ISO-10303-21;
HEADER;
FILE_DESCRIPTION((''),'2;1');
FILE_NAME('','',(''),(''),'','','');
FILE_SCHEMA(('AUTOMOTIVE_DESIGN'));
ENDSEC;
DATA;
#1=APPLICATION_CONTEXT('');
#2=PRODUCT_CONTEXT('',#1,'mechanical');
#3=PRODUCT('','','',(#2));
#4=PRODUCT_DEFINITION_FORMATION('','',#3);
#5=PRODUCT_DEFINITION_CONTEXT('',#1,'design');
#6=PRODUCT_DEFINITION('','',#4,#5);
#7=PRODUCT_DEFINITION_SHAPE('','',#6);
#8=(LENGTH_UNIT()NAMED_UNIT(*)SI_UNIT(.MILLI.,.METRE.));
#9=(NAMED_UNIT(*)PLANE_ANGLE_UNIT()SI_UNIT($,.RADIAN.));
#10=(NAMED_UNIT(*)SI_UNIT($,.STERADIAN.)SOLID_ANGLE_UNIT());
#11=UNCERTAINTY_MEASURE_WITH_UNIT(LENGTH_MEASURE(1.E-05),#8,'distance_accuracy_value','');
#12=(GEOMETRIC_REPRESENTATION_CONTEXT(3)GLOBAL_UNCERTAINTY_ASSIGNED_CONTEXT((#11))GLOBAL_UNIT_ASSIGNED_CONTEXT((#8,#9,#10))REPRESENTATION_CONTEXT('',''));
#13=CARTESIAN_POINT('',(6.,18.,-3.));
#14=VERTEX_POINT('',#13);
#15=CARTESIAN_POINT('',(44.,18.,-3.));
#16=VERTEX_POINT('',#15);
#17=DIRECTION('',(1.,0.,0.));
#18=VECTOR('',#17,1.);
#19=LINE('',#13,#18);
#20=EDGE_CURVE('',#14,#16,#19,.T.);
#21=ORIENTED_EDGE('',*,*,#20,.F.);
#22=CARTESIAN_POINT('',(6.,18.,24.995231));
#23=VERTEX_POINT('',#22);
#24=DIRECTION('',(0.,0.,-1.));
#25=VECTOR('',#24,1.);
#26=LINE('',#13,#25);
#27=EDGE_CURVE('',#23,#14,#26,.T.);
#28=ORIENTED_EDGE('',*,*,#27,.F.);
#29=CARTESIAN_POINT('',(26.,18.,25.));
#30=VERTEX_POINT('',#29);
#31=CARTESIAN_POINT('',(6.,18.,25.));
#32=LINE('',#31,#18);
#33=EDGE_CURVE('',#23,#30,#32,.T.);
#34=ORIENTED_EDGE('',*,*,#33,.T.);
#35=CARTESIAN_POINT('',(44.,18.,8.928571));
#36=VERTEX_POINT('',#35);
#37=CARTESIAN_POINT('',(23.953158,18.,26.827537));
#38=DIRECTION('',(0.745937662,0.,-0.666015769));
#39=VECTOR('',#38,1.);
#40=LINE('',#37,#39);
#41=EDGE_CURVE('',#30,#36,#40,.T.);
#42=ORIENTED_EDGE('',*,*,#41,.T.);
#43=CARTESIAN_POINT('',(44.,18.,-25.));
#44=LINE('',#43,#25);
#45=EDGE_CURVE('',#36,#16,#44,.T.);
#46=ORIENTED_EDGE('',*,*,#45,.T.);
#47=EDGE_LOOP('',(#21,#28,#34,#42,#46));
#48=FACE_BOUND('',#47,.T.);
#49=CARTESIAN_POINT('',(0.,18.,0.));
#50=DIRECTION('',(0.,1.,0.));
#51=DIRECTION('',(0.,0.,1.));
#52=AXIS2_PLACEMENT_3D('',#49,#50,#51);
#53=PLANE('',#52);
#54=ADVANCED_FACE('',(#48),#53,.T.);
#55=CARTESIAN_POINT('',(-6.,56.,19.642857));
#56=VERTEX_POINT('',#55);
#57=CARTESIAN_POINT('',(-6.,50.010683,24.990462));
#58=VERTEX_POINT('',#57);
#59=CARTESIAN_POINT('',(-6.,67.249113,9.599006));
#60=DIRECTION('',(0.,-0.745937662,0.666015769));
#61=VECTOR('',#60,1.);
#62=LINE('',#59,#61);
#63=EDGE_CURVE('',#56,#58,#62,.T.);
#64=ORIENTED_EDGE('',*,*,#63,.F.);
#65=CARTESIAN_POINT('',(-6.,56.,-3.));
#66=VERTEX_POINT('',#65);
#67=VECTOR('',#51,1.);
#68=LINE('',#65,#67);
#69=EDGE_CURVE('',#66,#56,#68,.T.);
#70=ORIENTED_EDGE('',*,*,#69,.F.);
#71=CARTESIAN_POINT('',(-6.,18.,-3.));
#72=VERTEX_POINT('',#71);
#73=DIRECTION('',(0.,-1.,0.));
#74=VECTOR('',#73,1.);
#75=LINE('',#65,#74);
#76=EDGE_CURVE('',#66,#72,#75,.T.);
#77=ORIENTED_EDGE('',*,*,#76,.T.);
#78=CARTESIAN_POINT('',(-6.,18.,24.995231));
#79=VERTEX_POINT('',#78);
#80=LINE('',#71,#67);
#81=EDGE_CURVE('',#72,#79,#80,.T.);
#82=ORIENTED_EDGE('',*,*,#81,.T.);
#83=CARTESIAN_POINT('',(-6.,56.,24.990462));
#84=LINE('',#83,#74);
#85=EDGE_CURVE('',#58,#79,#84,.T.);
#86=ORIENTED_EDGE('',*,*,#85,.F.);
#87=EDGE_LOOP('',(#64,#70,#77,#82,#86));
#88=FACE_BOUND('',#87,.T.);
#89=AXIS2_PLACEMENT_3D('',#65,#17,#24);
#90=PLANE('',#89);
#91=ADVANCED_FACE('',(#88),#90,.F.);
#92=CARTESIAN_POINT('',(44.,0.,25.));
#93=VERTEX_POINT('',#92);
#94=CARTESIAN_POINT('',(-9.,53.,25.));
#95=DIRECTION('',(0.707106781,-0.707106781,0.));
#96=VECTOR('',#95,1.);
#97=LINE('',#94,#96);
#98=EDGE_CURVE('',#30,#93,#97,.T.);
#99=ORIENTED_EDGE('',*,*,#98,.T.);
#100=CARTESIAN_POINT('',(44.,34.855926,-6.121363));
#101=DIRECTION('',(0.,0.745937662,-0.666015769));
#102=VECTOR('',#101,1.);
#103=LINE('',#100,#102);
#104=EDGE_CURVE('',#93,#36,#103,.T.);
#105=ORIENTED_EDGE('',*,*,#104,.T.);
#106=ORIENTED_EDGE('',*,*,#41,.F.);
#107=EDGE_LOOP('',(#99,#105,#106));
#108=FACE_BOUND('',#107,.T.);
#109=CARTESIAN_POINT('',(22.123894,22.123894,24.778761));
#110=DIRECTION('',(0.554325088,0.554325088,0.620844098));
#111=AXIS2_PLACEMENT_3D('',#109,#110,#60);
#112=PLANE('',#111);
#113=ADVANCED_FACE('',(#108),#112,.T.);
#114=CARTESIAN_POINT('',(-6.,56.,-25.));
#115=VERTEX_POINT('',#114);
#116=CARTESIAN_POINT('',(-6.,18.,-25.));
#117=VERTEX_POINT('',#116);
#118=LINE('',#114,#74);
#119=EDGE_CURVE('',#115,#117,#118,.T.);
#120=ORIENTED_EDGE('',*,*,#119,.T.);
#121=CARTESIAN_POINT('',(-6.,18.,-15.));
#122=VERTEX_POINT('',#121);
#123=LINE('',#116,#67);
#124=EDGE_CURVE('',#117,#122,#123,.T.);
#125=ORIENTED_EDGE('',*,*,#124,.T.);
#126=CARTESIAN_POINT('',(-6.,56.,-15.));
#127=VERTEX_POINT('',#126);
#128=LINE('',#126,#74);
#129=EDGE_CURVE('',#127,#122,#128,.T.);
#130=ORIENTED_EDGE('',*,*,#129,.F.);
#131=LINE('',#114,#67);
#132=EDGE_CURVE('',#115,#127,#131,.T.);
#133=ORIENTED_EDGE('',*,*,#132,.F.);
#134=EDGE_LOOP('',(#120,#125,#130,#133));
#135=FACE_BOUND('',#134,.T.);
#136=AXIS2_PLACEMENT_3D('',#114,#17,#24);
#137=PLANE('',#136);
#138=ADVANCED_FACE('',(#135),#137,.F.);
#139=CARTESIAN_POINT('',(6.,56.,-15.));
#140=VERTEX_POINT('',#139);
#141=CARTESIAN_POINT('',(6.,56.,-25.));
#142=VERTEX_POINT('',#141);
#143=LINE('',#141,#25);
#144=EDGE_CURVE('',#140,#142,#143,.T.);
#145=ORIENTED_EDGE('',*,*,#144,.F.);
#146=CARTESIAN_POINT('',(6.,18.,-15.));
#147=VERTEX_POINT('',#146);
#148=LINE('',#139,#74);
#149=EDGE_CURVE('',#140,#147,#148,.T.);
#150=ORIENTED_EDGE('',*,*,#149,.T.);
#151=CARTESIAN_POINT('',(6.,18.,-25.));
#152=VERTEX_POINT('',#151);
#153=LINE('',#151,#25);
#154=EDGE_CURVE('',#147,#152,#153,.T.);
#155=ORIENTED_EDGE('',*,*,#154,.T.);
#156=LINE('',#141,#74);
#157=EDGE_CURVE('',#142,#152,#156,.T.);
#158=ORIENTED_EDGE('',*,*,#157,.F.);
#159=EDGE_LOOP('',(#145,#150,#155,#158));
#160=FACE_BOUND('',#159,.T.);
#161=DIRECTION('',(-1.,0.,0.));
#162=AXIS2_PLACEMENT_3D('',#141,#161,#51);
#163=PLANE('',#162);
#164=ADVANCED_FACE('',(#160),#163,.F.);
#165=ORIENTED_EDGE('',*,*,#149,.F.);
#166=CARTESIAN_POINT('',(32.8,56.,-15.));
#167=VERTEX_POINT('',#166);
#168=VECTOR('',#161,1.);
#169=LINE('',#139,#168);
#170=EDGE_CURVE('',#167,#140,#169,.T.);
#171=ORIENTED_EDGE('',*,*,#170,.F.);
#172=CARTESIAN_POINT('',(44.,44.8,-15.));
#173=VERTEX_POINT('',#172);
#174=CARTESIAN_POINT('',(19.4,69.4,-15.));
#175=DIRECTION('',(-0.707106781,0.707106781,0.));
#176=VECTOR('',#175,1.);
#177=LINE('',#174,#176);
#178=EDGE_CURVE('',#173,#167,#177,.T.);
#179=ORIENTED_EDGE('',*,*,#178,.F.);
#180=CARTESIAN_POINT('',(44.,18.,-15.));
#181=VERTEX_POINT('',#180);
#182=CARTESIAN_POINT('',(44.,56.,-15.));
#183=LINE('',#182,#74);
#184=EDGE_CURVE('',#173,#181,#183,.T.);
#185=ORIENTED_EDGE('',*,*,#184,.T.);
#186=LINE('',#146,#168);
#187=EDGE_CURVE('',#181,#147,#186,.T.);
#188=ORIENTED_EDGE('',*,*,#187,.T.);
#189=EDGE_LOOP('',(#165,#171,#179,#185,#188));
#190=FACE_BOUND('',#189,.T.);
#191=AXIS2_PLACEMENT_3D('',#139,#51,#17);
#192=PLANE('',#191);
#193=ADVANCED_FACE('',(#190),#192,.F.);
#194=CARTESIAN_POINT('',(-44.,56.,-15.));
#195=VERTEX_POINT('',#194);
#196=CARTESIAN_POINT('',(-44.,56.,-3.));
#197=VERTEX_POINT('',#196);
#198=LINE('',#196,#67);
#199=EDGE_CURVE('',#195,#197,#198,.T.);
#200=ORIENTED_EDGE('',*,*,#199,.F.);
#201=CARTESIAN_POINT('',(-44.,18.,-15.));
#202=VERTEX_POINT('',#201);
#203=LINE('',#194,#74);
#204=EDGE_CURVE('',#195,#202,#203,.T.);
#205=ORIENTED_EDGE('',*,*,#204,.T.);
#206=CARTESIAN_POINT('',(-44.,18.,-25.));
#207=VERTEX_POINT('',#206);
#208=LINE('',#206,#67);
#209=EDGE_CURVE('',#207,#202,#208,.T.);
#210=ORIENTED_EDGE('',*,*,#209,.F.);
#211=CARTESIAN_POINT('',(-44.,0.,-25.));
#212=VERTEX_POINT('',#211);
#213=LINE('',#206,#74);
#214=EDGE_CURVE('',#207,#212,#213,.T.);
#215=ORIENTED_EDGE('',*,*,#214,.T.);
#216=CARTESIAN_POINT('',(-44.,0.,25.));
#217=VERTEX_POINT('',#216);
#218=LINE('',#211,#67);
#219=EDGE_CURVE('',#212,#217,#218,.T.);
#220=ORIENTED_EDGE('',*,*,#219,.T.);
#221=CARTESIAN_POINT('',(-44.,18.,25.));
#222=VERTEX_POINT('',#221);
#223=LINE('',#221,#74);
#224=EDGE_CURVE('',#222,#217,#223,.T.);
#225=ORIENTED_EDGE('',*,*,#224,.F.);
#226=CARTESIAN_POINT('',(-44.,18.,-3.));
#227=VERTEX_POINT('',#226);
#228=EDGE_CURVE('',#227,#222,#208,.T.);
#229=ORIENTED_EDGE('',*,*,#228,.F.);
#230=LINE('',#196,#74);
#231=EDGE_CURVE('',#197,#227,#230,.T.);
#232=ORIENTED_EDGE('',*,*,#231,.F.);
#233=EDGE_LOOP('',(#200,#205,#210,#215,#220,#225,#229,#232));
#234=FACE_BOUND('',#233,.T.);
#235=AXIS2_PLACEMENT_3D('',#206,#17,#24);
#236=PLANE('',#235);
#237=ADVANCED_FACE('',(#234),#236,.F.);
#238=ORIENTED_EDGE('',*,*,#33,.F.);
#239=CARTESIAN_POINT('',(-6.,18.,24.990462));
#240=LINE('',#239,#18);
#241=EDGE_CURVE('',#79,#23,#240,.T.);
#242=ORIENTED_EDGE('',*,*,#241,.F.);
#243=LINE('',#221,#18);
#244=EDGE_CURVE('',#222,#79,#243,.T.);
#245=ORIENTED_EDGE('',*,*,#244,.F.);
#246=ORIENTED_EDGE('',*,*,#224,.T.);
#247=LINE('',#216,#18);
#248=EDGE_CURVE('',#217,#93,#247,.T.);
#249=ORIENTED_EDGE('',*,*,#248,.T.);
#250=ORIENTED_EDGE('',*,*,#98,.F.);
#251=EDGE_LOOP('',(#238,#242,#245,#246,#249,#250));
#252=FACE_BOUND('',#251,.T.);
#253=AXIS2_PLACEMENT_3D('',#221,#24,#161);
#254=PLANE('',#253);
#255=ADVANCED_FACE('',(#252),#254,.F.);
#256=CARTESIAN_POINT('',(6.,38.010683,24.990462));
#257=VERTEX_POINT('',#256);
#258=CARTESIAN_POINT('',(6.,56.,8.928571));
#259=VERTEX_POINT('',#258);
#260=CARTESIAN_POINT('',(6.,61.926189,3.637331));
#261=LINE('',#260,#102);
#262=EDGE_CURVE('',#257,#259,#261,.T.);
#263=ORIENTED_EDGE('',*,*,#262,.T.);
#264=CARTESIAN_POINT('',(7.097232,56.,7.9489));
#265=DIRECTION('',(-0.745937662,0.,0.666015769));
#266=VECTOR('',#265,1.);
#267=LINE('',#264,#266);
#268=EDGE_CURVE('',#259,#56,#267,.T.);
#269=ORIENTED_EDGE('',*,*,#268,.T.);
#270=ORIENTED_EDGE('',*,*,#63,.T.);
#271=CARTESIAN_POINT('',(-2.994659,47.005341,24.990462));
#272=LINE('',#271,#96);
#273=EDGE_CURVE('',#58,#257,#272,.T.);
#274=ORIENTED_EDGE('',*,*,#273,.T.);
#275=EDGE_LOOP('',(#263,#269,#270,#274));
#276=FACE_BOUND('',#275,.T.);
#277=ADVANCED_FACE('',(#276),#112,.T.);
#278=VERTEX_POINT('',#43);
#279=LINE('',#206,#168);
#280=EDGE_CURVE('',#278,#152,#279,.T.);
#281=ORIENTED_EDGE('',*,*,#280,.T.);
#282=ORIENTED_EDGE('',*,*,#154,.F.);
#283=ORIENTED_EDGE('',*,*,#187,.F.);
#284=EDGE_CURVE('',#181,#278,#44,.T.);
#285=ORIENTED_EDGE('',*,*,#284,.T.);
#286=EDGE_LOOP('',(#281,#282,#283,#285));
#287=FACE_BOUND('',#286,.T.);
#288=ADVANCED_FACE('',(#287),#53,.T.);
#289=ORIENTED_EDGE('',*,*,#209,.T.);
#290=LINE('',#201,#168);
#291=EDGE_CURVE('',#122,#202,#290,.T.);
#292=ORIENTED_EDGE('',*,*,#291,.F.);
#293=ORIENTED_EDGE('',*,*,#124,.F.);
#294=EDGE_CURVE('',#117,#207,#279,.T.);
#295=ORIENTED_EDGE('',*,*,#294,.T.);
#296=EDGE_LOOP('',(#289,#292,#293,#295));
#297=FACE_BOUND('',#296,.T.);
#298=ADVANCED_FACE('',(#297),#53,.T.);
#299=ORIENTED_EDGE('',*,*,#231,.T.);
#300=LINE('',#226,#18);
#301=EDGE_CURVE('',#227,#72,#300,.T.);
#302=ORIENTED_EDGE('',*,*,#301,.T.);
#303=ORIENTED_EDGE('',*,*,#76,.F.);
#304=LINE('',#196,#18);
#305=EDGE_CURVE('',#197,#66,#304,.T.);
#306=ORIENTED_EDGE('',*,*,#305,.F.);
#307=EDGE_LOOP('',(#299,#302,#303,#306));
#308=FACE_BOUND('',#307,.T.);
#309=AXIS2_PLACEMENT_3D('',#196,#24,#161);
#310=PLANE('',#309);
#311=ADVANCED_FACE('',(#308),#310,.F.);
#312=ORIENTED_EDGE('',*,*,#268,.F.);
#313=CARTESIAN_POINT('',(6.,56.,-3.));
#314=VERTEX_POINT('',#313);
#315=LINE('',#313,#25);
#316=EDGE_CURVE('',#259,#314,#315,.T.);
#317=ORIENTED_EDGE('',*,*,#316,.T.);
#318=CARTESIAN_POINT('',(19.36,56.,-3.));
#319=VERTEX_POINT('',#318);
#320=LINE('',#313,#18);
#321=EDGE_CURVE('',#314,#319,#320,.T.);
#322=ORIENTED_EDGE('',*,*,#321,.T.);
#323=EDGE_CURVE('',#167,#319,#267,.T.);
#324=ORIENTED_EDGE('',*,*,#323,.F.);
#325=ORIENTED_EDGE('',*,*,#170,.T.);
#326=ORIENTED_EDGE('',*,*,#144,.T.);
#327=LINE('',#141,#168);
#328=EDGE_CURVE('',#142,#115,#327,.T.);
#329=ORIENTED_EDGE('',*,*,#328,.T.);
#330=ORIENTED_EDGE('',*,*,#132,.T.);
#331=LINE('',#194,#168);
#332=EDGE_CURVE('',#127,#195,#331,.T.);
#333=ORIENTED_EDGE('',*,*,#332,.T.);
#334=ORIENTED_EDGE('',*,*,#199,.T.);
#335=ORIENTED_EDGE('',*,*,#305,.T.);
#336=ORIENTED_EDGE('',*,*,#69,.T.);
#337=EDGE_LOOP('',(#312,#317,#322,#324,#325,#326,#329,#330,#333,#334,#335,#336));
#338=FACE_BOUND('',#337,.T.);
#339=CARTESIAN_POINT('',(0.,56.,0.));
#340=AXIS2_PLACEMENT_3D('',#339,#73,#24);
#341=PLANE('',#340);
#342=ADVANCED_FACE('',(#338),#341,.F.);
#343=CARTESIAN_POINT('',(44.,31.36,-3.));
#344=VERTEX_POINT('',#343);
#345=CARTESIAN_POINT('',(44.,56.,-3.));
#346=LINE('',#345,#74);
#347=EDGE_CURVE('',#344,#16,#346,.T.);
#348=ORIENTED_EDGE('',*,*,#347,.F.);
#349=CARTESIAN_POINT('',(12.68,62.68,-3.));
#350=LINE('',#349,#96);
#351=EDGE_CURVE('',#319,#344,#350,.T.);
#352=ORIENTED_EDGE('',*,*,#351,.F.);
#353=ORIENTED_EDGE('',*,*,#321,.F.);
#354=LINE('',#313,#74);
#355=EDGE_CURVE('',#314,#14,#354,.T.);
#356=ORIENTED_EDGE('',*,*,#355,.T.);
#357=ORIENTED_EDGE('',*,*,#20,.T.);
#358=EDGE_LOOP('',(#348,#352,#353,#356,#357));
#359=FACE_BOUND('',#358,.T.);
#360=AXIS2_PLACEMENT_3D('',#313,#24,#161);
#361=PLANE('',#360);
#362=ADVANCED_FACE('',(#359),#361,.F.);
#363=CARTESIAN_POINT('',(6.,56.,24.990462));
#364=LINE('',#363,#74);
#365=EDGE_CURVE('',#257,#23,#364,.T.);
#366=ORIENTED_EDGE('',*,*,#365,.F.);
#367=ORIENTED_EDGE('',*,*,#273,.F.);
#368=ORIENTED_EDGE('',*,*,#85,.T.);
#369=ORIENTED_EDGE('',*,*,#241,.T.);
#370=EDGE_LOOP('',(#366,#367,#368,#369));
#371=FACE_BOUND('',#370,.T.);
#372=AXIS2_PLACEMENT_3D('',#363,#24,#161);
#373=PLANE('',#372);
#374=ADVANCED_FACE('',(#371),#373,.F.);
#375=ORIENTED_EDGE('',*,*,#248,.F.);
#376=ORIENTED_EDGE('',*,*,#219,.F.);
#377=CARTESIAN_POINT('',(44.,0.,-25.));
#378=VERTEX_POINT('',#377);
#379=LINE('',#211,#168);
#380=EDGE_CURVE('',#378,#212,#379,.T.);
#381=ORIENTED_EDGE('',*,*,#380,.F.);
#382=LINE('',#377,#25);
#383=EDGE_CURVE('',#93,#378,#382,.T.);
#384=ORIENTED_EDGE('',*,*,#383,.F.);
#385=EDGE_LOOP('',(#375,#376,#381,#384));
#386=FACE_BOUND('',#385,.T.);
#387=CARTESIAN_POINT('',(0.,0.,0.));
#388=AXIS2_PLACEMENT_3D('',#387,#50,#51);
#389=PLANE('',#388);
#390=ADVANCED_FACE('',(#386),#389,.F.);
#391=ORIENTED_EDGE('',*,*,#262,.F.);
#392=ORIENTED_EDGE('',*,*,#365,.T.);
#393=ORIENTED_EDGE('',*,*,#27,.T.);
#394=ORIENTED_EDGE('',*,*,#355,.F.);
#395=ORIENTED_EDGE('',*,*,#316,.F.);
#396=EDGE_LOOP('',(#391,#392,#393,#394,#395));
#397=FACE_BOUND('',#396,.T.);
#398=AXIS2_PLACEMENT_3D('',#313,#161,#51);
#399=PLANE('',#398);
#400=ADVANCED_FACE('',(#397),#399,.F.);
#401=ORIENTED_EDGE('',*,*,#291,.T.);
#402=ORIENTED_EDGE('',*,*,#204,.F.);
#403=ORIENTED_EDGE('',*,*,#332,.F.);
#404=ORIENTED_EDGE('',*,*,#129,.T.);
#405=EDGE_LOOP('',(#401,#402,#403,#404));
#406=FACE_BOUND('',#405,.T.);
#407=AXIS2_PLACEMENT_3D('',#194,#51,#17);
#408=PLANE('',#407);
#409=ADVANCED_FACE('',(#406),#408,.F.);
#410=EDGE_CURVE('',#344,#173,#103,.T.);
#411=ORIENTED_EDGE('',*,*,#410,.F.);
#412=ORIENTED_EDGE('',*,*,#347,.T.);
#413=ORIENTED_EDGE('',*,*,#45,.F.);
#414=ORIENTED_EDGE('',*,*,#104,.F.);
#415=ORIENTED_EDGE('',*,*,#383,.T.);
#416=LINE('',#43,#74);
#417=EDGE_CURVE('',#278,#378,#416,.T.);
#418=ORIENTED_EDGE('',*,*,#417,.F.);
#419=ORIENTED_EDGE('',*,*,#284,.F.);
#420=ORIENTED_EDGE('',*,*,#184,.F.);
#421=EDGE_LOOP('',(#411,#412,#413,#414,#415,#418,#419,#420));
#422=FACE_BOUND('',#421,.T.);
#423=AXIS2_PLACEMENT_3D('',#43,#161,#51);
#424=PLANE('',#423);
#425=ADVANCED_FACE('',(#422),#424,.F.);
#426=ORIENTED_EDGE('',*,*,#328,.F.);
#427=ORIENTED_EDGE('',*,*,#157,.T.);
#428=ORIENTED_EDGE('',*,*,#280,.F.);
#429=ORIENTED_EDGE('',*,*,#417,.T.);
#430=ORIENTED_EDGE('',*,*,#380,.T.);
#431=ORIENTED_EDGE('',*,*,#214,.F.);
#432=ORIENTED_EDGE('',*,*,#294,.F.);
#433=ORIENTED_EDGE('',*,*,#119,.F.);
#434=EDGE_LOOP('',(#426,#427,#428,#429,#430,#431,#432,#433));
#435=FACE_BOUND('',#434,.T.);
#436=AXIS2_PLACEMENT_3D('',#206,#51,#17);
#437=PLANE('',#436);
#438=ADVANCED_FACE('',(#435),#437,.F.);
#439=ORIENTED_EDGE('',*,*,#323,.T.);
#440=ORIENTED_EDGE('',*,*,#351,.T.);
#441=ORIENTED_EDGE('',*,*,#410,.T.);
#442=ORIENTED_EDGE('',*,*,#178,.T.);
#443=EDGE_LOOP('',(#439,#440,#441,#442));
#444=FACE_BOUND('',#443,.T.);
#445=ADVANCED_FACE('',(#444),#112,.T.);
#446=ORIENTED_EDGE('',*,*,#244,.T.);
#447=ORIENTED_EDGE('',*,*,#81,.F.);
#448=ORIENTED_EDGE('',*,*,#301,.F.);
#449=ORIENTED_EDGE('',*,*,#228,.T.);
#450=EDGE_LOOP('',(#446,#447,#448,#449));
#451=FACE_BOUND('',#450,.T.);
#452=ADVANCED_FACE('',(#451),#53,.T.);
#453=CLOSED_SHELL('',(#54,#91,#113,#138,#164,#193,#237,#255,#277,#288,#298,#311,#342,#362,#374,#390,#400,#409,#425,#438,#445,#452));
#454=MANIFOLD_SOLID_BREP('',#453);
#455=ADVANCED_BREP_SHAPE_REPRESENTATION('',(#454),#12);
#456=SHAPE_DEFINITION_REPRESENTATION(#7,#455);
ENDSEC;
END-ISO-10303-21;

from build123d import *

# Parameters (mm, degrees)
SKETCH1_W           = 88
SKETCH1_H           = 50
BOSS_EXTRUDE1_DEPTH = 18
BOSS_EXTRUDE2_DEPTH = 38
SKETCH5_W           = 74.105007355
SKETCH5_H           = 76.56039949
CUT_EXTRUDE1_DEPTH  = 38


with BuildPart() as part:
    # Sketch1 → Boss-Extrude1 (new body)
    with BuildSketch(Plane(origin=(0, 0, 0), x_dir=(1, 0, 0), z_dir=(0, 1, 0))):
        Rectangle(SKETCH1_W, SKETCH1_H)
    extrude(amount=BOSS_EXTRUDE1_DEPTH)

    # Sketch2 → Boss-Extrude2 (add)
    with BuildSketch(Plane(origin=(0, 18, 0), x_dir=(1, 0, 0), z_dir=(0, 1, 0))):
        Polygon((-44, 3), (-6, 3), (-6, -24.990461848), (6, -24.990461848), (6, 3), (44, 3), (44, 15), (6, 15), (6, 25), (-6, 25), (-6, 15), (-44, 15), align=None)
    extrude(amount=BOSS_EXTRUDE2_DEPTH)

    # Sketch5 → Cut-Extrude1 (cut)
    with BuildSketch(Plane(origin=(22.123893805, 22.123893805, 24.778761062), x_dir=(-0.8323002445923469, 0.36918924973045525, 0.4134919596981098), z_dir=(-0.5543250876981122, -0.5543250876981184, -0.6208440982218917))):
        with Locations((7.332126574, 18.101961107)):
            Rectangle(SKETCH5_W, SKETCH5_H)
    extrude(amount=-CUT_EXTRUDE1_DEPTH, mode=Mode.SUBTRACT)


solid = part.part
